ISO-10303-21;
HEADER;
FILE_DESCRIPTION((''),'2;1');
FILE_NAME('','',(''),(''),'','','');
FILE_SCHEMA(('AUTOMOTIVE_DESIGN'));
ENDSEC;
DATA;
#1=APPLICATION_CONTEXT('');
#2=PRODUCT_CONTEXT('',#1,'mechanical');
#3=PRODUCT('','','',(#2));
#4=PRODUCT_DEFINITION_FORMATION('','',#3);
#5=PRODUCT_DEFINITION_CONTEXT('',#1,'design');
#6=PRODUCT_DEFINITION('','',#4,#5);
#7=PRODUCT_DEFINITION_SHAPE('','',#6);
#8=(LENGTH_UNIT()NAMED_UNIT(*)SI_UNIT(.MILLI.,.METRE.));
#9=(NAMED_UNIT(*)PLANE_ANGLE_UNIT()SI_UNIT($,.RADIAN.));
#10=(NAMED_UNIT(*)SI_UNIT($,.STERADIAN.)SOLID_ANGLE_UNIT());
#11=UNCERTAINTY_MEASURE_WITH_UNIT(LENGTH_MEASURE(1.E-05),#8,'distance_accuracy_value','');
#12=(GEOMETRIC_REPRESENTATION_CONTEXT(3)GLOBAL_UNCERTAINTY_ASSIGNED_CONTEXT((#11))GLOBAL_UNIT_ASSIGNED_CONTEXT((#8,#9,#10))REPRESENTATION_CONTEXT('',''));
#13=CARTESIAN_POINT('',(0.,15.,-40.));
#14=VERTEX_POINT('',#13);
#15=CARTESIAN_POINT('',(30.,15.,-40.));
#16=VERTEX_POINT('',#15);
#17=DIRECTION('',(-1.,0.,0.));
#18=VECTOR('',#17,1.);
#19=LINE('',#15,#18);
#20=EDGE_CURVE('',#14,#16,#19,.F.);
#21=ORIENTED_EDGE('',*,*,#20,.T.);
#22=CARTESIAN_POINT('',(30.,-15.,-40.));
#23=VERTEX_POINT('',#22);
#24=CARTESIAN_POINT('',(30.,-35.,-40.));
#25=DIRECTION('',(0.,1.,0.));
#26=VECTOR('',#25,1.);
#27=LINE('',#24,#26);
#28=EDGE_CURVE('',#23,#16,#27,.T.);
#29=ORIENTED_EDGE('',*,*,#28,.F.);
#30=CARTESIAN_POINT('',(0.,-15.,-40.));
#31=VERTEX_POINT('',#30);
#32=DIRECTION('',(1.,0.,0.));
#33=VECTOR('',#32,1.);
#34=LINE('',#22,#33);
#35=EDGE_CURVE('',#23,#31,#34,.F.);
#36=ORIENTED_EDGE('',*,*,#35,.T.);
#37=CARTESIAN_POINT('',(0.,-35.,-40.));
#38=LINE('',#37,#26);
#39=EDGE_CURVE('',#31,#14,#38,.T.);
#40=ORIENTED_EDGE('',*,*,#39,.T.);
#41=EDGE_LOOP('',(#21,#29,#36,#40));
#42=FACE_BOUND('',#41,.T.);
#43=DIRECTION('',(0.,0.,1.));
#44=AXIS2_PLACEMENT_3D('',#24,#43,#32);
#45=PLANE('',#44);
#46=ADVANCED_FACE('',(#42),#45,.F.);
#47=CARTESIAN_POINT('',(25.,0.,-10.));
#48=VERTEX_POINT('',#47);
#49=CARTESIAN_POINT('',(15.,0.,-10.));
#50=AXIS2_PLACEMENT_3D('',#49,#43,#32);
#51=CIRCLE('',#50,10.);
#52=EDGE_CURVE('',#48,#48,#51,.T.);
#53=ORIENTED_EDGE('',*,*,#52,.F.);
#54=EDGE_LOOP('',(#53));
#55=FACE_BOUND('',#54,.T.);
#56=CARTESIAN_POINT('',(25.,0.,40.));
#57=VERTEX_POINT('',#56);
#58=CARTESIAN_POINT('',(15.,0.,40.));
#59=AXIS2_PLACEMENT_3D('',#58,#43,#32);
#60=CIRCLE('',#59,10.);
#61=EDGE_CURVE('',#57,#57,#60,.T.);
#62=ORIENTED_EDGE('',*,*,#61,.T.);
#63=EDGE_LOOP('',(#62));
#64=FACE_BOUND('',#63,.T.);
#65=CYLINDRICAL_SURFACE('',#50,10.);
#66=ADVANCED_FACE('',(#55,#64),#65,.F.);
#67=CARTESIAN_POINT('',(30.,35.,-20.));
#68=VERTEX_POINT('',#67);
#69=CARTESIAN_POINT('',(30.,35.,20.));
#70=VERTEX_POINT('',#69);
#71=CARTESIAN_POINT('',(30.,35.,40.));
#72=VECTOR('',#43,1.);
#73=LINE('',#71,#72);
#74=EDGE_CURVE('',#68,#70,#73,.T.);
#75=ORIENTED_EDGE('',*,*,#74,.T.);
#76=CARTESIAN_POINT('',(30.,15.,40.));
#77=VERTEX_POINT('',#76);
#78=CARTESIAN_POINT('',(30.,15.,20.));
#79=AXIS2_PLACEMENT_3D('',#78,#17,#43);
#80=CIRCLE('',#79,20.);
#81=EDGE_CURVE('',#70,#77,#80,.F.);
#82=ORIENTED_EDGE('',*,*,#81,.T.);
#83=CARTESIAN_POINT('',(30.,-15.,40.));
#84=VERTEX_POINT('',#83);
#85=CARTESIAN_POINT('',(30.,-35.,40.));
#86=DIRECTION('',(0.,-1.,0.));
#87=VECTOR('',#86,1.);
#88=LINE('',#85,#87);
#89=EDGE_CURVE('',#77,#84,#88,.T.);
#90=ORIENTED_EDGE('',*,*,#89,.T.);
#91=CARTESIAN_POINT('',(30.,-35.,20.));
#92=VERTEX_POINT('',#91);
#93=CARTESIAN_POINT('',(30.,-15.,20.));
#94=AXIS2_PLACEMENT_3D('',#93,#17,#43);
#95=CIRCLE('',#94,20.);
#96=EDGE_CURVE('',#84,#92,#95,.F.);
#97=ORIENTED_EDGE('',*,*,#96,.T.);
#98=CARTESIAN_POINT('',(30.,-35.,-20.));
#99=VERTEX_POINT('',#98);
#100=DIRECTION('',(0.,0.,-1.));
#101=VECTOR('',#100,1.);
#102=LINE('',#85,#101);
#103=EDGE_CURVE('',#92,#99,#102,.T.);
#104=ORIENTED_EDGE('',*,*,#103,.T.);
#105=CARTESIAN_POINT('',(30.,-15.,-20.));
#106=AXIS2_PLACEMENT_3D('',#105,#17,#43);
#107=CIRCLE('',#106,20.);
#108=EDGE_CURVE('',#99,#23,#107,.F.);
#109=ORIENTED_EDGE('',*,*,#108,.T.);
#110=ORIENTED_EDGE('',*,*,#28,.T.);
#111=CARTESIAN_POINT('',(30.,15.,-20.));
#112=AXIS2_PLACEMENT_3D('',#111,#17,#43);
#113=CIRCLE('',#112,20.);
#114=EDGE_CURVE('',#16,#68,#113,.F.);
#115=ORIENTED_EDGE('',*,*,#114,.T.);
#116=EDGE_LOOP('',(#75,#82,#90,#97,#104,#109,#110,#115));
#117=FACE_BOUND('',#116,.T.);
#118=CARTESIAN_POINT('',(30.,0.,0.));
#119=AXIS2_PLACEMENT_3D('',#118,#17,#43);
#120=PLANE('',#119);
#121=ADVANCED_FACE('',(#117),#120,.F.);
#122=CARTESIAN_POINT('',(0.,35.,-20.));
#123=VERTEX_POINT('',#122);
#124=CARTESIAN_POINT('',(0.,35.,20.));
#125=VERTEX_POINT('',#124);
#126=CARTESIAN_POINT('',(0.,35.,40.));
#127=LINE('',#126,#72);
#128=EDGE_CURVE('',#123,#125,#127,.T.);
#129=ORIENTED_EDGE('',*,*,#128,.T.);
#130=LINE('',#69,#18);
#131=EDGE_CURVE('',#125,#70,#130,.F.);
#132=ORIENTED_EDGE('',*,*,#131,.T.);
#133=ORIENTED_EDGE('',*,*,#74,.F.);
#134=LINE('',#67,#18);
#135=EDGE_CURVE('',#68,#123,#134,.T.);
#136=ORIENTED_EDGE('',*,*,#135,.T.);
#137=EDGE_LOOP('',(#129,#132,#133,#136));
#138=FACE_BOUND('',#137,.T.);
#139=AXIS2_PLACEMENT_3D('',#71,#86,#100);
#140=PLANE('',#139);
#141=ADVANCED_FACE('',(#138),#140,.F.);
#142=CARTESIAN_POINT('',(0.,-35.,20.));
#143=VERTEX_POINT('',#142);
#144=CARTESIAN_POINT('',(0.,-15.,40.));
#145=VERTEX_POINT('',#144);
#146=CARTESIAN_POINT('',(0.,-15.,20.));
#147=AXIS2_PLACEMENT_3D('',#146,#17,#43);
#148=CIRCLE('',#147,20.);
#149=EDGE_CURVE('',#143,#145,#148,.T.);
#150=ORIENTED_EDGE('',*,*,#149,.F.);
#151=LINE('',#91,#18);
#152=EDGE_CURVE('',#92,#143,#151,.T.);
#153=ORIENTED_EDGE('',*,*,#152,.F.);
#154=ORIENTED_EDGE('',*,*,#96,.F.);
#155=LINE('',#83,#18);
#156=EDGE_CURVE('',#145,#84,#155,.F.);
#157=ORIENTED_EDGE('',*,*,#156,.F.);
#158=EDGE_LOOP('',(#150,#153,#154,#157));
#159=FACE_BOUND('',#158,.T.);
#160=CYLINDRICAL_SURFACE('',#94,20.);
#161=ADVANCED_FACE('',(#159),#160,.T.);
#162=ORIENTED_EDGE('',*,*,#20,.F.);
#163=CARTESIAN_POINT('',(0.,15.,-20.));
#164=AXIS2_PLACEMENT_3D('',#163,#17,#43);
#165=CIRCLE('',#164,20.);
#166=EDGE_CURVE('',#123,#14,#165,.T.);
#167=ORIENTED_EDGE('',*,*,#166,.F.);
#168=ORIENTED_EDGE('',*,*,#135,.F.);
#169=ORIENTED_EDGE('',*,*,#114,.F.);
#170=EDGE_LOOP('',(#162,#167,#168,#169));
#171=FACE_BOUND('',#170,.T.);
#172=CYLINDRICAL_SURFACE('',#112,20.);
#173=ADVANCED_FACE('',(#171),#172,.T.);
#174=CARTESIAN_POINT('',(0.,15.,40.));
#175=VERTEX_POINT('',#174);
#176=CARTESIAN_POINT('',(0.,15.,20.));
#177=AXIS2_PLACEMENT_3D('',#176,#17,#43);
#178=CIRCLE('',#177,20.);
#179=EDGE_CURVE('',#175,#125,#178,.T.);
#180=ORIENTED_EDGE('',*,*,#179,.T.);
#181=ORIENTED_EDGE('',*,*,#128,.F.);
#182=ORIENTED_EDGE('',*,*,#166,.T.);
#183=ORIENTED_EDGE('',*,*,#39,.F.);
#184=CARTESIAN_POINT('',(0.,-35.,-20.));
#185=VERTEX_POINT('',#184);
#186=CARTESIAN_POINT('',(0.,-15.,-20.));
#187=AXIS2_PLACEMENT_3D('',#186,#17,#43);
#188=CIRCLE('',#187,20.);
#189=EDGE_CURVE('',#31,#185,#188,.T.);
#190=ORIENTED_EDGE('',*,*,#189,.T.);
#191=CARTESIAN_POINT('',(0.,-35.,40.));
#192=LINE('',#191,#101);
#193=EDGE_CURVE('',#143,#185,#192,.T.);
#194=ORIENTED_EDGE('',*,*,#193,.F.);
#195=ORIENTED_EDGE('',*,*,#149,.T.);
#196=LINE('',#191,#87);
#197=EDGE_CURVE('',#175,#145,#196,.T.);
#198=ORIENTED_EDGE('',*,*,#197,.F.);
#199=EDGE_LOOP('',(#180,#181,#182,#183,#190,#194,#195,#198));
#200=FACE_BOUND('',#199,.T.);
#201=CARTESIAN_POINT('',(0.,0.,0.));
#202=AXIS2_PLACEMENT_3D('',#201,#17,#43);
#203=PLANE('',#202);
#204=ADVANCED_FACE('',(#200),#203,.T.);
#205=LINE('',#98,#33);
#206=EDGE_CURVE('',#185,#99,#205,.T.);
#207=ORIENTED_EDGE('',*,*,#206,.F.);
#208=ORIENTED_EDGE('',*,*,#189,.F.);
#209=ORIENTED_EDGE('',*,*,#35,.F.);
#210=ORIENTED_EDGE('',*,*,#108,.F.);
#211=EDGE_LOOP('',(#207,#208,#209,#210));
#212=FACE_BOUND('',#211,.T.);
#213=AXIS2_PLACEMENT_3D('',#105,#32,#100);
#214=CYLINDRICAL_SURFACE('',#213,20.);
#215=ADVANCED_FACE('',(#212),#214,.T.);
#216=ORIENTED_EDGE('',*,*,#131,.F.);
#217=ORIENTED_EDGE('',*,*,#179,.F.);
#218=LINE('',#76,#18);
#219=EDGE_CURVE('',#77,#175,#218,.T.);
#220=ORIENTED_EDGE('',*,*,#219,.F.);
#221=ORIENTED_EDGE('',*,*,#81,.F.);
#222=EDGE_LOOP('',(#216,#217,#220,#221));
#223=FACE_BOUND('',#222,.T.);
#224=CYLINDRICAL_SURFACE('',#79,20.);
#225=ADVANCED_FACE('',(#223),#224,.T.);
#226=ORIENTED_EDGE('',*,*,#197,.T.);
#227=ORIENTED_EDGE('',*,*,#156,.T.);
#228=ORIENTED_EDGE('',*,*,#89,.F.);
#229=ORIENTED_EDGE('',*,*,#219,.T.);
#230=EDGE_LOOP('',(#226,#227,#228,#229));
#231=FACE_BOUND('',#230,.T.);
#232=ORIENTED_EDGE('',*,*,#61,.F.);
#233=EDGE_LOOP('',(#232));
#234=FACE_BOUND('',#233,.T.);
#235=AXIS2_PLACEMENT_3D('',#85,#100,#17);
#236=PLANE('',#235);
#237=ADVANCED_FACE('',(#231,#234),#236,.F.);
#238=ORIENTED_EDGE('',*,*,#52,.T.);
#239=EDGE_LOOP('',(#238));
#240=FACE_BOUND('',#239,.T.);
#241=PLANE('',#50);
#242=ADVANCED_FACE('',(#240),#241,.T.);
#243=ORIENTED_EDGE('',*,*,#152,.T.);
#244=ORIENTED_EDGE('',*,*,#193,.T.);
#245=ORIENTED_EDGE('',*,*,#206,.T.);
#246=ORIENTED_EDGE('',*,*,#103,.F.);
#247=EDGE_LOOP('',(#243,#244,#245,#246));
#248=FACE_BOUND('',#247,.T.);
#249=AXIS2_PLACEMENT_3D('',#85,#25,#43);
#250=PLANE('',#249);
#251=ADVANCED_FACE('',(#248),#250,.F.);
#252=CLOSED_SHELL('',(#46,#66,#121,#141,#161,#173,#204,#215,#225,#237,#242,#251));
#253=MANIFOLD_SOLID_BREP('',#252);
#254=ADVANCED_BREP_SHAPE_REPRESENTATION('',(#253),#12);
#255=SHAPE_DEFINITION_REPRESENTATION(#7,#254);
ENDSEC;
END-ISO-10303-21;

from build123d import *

# Parameters (mm, degrees)
SKETCH1_W           = 80
SKETCH1_H           = 70
BOSS_EXTRUDE1_DEPTH = 30
SKETCH2_R           = 10
CUT_EXTRUDE1_DEPTH  = 50
FILLET1_R           = 20
FILLET2_R           = 20
FILLET3_R           = 20
FILLET4_R           = 20


with BuildPart() as part:
    # Sketch1 → Boss-Extrude1 (new body)
    with BuildSketch(Plane(origin=(0, 0, 0), x_dir=(0, 0, -1), z_dir=(1, 0, 0))):
        Rectangle(SKETCH1_W, SKETCH1_H)
    extrude(amount=BOSS_EXTRUDE1_DEPTH)

    # Sketch2 → Cut-Extrude1 (cut)
    with BuildSketch(Plane.XY.offset(40)):
        with Locations((15, 0)):
            Circle(SKETCH2_R)
    extrude(amount=-CUT_EXTRUDE1_DEPTH, mode=Mode.SUBTRACT)

    # Fillet1
    fillet1_edges = [part.edges().sort_by_distance(p)[0] for p in [
        (15, 35, -40),
    ]]
    fillet(fillet1_edges, radius=FILLET1_R)

    # Fillet2
    fillet2_edges = [part.edges().sort_by_distance(p)[0] for p in [
        (15, -35, -40),
    ]]
    fillet(fillet2_edges, radius=FILLET2_R)

    # Fillet3
    fillet3_edges = [part.edges().sort_by_distance(p)[0] for p in [
        (15, -35, 40),
    ]]
    fillet(fillet3_edges, radius=FILLET3_R)

    # Fillet4
    fillet4_edges = [part.edges().sort_by_distance(p)[0] for p in [
        (15, 35, 40),
    ]]
    fillet(fillet4_edges, radius=FILLET4_R)


solid = part.part
